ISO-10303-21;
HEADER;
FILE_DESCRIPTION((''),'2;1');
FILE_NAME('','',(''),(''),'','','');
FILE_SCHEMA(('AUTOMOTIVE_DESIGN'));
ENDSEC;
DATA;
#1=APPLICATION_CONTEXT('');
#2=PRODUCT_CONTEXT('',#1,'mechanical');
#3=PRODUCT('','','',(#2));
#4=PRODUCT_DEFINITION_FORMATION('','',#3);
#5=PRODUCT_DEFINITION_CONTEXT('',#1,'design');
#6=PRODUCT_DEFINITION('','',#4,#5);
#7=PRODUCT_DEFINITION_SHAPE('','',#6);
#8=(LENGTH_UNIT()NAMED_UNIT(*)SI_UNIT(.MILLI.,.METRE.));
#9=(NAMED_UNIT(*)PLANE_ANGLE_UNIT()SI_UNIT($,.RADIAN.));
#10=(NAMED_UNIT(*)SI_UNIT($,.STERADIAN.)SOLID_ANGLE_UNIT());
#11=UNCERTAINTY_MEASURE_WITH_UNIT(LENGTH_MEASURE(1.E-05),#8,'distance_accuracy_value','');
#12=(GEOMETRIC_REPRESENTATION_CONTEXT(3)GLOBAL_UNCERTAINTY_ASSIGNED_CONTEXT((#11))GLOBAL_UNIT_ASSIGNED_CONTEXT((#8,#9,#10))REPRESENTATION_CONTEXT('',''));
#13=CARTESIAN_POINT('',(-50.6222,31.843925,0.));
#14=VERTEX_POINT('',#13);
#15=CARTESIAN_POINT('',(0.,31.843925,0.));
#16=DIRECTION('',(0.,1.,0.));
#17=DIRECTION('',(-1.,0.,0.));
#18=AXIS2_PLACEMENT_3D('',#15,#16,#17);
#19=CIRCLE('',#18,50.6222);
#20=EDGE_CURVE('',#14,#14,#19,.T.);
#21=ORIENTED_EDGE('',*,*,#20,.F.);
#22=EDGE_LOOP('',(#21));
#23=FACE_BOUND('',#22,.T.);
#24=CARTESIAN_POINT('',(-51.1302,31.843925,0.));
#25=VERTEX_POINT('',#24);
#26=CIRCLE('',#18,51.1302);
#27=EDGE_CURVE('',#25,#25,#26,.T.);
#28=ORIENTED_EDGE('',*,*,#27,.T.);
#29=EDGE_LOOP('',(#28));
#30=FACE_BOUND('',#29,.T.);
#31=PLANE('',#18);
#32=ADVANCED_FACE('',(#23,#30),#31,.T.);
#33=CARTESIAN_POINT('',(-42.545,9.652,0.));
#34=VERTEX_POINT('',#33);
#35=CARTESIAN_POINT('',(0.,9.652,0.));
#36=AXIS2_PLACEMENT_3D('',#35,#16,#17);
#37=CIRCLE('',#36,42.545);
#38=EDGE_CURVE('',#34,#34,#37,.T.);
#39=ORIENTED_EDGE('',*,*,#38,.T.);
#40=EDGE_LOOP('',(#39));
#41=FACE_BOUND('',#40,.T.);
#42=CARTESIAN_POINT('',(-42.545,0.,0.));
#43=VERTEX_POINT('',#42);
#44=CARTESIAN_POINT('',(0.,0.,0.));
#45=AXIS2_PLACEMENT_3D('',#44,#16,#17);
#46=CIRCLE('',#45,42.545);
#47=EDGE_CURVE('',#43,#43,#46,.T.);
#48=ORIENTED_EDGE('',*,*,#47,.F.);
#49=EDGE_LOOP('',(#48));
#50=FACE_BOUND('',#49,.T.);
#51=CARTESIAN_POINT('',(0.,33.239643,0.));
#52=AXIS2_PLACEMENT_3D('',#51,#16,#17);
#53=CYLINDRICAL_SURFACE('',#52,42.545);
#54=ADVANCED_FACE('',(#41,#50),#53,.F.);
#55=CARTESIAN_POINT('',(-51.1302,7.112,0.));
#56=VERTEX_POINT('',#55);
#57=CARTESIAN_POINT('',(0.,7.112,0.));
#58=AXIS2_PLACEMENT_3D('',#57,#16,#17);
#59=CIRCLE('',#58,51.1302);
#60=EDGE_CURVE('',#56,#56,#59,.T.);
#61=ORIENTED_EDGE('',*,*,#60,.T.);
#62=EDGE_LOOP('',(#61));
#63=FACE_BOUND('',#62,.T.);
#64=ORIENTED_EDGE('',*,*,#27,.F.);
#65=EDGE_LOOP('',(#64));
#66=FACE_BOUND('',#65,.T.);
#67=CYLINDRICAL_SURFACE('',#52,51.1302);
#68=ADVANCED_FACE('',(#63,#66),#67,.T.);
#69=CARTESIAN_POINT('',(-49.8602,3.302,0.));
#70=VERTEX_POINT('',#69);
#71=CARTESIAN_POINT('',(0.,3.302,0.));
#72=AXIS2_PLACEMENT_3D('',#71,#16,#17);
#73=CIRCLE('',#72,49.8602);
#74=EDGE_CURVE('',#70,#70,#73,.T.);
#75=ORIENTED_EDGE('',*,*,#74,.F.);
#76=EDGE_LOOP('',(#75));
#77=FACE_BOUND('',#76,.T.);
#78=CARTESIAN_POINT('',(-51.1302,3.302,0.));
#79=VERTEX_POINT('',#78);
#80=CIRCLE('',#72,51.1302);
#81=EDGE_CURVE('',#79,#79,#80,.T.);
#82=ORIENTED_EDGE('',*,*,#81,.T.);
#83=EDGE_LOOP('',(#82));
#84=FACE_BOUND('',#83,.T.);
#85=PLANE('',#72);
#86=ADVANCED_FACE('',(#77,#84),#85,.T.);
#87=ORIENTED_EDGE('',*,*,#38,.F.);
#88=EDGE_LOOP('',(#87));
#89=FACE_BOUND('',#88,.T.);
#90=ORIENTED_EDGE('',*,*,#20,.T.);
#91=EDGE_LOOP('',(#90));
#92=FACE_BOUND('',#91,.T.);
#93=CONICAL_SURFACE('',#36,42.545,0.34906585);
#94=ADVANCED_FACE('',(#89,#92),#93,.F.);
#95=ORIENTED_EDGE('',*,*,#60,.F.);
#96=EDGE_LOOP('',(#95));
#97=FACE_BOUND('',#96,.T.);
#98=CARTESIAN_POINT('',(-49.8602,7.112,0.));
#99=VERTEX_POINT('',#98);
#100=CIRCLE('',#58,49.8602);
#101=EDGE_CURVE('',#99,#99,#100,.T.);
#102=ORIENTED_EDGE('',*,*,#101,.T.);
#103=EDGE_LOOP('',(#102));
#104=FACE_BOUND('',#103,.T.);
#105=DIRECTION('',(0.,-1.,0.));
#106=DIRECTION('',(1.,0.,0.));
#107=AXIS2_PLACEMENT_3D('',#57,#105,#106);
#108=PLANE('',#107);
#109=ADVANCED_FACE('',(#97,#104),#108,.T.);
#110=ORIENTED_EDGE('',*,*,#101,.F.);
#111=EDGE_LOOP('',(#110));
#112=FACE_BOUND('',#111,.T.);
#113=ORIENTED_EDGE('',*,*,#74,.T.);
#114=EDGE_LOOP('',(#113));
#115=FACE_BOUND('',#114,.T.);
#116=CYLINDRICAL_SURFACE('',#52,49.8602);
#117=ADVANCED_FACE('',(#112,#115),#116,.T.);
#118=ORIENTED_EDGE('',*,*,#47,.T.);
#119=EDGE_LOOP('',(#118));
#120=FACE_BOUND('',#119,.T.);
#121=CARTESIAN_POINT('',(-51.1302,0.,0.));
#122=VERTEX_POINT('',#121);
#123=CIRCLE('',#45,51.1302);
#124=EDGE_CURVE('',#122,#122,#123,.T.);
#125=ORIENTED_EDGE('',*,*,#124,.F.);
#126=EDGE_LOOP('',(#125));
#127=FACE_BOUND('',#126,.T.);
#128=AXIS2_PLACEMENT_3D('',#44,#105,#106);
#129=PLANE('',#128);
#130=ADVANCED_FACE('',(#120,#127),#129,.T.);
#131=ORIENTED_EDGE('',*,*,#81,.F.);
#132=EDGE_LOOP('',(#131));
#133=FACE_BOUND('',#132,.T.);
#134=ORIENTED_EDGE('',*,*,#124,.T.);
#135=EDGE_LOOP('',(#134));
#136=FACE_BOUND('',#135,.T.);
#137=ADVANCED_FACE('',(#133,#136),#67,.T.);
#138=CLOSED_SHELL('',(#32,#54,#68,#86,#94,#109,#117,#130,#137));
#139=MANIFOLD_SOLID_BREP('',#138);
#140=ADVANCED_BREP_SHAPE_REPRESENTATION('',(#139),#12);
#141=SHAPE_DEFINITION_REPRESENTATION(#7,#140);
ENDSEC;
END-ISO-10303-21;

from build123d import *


with BuildPart() as part:
    # Sketch1 → Revolve1 (revolve)
    with BuildSketch(Plane.XY, mode=Mode.PRIVATE) as revolve1_sk:
        Polygon((42.545, 9.652), (50.6222, 31.843924612), (51.1302, 31.843924612), (51.1302, 7.112), (49.8602, 7.112), (49.8602, 3.302), (51.1302, 3.302), (51.1302, 0), (42.545, 0), align=None)
    revolve(revolve1_sk.sketch.rotate(Axis((0, 33.239643142, 0), (0, -1, 0)), 180), axis=Axis((0, 33.239643142, 0), (0, -1, 0)))


solid = part.part
